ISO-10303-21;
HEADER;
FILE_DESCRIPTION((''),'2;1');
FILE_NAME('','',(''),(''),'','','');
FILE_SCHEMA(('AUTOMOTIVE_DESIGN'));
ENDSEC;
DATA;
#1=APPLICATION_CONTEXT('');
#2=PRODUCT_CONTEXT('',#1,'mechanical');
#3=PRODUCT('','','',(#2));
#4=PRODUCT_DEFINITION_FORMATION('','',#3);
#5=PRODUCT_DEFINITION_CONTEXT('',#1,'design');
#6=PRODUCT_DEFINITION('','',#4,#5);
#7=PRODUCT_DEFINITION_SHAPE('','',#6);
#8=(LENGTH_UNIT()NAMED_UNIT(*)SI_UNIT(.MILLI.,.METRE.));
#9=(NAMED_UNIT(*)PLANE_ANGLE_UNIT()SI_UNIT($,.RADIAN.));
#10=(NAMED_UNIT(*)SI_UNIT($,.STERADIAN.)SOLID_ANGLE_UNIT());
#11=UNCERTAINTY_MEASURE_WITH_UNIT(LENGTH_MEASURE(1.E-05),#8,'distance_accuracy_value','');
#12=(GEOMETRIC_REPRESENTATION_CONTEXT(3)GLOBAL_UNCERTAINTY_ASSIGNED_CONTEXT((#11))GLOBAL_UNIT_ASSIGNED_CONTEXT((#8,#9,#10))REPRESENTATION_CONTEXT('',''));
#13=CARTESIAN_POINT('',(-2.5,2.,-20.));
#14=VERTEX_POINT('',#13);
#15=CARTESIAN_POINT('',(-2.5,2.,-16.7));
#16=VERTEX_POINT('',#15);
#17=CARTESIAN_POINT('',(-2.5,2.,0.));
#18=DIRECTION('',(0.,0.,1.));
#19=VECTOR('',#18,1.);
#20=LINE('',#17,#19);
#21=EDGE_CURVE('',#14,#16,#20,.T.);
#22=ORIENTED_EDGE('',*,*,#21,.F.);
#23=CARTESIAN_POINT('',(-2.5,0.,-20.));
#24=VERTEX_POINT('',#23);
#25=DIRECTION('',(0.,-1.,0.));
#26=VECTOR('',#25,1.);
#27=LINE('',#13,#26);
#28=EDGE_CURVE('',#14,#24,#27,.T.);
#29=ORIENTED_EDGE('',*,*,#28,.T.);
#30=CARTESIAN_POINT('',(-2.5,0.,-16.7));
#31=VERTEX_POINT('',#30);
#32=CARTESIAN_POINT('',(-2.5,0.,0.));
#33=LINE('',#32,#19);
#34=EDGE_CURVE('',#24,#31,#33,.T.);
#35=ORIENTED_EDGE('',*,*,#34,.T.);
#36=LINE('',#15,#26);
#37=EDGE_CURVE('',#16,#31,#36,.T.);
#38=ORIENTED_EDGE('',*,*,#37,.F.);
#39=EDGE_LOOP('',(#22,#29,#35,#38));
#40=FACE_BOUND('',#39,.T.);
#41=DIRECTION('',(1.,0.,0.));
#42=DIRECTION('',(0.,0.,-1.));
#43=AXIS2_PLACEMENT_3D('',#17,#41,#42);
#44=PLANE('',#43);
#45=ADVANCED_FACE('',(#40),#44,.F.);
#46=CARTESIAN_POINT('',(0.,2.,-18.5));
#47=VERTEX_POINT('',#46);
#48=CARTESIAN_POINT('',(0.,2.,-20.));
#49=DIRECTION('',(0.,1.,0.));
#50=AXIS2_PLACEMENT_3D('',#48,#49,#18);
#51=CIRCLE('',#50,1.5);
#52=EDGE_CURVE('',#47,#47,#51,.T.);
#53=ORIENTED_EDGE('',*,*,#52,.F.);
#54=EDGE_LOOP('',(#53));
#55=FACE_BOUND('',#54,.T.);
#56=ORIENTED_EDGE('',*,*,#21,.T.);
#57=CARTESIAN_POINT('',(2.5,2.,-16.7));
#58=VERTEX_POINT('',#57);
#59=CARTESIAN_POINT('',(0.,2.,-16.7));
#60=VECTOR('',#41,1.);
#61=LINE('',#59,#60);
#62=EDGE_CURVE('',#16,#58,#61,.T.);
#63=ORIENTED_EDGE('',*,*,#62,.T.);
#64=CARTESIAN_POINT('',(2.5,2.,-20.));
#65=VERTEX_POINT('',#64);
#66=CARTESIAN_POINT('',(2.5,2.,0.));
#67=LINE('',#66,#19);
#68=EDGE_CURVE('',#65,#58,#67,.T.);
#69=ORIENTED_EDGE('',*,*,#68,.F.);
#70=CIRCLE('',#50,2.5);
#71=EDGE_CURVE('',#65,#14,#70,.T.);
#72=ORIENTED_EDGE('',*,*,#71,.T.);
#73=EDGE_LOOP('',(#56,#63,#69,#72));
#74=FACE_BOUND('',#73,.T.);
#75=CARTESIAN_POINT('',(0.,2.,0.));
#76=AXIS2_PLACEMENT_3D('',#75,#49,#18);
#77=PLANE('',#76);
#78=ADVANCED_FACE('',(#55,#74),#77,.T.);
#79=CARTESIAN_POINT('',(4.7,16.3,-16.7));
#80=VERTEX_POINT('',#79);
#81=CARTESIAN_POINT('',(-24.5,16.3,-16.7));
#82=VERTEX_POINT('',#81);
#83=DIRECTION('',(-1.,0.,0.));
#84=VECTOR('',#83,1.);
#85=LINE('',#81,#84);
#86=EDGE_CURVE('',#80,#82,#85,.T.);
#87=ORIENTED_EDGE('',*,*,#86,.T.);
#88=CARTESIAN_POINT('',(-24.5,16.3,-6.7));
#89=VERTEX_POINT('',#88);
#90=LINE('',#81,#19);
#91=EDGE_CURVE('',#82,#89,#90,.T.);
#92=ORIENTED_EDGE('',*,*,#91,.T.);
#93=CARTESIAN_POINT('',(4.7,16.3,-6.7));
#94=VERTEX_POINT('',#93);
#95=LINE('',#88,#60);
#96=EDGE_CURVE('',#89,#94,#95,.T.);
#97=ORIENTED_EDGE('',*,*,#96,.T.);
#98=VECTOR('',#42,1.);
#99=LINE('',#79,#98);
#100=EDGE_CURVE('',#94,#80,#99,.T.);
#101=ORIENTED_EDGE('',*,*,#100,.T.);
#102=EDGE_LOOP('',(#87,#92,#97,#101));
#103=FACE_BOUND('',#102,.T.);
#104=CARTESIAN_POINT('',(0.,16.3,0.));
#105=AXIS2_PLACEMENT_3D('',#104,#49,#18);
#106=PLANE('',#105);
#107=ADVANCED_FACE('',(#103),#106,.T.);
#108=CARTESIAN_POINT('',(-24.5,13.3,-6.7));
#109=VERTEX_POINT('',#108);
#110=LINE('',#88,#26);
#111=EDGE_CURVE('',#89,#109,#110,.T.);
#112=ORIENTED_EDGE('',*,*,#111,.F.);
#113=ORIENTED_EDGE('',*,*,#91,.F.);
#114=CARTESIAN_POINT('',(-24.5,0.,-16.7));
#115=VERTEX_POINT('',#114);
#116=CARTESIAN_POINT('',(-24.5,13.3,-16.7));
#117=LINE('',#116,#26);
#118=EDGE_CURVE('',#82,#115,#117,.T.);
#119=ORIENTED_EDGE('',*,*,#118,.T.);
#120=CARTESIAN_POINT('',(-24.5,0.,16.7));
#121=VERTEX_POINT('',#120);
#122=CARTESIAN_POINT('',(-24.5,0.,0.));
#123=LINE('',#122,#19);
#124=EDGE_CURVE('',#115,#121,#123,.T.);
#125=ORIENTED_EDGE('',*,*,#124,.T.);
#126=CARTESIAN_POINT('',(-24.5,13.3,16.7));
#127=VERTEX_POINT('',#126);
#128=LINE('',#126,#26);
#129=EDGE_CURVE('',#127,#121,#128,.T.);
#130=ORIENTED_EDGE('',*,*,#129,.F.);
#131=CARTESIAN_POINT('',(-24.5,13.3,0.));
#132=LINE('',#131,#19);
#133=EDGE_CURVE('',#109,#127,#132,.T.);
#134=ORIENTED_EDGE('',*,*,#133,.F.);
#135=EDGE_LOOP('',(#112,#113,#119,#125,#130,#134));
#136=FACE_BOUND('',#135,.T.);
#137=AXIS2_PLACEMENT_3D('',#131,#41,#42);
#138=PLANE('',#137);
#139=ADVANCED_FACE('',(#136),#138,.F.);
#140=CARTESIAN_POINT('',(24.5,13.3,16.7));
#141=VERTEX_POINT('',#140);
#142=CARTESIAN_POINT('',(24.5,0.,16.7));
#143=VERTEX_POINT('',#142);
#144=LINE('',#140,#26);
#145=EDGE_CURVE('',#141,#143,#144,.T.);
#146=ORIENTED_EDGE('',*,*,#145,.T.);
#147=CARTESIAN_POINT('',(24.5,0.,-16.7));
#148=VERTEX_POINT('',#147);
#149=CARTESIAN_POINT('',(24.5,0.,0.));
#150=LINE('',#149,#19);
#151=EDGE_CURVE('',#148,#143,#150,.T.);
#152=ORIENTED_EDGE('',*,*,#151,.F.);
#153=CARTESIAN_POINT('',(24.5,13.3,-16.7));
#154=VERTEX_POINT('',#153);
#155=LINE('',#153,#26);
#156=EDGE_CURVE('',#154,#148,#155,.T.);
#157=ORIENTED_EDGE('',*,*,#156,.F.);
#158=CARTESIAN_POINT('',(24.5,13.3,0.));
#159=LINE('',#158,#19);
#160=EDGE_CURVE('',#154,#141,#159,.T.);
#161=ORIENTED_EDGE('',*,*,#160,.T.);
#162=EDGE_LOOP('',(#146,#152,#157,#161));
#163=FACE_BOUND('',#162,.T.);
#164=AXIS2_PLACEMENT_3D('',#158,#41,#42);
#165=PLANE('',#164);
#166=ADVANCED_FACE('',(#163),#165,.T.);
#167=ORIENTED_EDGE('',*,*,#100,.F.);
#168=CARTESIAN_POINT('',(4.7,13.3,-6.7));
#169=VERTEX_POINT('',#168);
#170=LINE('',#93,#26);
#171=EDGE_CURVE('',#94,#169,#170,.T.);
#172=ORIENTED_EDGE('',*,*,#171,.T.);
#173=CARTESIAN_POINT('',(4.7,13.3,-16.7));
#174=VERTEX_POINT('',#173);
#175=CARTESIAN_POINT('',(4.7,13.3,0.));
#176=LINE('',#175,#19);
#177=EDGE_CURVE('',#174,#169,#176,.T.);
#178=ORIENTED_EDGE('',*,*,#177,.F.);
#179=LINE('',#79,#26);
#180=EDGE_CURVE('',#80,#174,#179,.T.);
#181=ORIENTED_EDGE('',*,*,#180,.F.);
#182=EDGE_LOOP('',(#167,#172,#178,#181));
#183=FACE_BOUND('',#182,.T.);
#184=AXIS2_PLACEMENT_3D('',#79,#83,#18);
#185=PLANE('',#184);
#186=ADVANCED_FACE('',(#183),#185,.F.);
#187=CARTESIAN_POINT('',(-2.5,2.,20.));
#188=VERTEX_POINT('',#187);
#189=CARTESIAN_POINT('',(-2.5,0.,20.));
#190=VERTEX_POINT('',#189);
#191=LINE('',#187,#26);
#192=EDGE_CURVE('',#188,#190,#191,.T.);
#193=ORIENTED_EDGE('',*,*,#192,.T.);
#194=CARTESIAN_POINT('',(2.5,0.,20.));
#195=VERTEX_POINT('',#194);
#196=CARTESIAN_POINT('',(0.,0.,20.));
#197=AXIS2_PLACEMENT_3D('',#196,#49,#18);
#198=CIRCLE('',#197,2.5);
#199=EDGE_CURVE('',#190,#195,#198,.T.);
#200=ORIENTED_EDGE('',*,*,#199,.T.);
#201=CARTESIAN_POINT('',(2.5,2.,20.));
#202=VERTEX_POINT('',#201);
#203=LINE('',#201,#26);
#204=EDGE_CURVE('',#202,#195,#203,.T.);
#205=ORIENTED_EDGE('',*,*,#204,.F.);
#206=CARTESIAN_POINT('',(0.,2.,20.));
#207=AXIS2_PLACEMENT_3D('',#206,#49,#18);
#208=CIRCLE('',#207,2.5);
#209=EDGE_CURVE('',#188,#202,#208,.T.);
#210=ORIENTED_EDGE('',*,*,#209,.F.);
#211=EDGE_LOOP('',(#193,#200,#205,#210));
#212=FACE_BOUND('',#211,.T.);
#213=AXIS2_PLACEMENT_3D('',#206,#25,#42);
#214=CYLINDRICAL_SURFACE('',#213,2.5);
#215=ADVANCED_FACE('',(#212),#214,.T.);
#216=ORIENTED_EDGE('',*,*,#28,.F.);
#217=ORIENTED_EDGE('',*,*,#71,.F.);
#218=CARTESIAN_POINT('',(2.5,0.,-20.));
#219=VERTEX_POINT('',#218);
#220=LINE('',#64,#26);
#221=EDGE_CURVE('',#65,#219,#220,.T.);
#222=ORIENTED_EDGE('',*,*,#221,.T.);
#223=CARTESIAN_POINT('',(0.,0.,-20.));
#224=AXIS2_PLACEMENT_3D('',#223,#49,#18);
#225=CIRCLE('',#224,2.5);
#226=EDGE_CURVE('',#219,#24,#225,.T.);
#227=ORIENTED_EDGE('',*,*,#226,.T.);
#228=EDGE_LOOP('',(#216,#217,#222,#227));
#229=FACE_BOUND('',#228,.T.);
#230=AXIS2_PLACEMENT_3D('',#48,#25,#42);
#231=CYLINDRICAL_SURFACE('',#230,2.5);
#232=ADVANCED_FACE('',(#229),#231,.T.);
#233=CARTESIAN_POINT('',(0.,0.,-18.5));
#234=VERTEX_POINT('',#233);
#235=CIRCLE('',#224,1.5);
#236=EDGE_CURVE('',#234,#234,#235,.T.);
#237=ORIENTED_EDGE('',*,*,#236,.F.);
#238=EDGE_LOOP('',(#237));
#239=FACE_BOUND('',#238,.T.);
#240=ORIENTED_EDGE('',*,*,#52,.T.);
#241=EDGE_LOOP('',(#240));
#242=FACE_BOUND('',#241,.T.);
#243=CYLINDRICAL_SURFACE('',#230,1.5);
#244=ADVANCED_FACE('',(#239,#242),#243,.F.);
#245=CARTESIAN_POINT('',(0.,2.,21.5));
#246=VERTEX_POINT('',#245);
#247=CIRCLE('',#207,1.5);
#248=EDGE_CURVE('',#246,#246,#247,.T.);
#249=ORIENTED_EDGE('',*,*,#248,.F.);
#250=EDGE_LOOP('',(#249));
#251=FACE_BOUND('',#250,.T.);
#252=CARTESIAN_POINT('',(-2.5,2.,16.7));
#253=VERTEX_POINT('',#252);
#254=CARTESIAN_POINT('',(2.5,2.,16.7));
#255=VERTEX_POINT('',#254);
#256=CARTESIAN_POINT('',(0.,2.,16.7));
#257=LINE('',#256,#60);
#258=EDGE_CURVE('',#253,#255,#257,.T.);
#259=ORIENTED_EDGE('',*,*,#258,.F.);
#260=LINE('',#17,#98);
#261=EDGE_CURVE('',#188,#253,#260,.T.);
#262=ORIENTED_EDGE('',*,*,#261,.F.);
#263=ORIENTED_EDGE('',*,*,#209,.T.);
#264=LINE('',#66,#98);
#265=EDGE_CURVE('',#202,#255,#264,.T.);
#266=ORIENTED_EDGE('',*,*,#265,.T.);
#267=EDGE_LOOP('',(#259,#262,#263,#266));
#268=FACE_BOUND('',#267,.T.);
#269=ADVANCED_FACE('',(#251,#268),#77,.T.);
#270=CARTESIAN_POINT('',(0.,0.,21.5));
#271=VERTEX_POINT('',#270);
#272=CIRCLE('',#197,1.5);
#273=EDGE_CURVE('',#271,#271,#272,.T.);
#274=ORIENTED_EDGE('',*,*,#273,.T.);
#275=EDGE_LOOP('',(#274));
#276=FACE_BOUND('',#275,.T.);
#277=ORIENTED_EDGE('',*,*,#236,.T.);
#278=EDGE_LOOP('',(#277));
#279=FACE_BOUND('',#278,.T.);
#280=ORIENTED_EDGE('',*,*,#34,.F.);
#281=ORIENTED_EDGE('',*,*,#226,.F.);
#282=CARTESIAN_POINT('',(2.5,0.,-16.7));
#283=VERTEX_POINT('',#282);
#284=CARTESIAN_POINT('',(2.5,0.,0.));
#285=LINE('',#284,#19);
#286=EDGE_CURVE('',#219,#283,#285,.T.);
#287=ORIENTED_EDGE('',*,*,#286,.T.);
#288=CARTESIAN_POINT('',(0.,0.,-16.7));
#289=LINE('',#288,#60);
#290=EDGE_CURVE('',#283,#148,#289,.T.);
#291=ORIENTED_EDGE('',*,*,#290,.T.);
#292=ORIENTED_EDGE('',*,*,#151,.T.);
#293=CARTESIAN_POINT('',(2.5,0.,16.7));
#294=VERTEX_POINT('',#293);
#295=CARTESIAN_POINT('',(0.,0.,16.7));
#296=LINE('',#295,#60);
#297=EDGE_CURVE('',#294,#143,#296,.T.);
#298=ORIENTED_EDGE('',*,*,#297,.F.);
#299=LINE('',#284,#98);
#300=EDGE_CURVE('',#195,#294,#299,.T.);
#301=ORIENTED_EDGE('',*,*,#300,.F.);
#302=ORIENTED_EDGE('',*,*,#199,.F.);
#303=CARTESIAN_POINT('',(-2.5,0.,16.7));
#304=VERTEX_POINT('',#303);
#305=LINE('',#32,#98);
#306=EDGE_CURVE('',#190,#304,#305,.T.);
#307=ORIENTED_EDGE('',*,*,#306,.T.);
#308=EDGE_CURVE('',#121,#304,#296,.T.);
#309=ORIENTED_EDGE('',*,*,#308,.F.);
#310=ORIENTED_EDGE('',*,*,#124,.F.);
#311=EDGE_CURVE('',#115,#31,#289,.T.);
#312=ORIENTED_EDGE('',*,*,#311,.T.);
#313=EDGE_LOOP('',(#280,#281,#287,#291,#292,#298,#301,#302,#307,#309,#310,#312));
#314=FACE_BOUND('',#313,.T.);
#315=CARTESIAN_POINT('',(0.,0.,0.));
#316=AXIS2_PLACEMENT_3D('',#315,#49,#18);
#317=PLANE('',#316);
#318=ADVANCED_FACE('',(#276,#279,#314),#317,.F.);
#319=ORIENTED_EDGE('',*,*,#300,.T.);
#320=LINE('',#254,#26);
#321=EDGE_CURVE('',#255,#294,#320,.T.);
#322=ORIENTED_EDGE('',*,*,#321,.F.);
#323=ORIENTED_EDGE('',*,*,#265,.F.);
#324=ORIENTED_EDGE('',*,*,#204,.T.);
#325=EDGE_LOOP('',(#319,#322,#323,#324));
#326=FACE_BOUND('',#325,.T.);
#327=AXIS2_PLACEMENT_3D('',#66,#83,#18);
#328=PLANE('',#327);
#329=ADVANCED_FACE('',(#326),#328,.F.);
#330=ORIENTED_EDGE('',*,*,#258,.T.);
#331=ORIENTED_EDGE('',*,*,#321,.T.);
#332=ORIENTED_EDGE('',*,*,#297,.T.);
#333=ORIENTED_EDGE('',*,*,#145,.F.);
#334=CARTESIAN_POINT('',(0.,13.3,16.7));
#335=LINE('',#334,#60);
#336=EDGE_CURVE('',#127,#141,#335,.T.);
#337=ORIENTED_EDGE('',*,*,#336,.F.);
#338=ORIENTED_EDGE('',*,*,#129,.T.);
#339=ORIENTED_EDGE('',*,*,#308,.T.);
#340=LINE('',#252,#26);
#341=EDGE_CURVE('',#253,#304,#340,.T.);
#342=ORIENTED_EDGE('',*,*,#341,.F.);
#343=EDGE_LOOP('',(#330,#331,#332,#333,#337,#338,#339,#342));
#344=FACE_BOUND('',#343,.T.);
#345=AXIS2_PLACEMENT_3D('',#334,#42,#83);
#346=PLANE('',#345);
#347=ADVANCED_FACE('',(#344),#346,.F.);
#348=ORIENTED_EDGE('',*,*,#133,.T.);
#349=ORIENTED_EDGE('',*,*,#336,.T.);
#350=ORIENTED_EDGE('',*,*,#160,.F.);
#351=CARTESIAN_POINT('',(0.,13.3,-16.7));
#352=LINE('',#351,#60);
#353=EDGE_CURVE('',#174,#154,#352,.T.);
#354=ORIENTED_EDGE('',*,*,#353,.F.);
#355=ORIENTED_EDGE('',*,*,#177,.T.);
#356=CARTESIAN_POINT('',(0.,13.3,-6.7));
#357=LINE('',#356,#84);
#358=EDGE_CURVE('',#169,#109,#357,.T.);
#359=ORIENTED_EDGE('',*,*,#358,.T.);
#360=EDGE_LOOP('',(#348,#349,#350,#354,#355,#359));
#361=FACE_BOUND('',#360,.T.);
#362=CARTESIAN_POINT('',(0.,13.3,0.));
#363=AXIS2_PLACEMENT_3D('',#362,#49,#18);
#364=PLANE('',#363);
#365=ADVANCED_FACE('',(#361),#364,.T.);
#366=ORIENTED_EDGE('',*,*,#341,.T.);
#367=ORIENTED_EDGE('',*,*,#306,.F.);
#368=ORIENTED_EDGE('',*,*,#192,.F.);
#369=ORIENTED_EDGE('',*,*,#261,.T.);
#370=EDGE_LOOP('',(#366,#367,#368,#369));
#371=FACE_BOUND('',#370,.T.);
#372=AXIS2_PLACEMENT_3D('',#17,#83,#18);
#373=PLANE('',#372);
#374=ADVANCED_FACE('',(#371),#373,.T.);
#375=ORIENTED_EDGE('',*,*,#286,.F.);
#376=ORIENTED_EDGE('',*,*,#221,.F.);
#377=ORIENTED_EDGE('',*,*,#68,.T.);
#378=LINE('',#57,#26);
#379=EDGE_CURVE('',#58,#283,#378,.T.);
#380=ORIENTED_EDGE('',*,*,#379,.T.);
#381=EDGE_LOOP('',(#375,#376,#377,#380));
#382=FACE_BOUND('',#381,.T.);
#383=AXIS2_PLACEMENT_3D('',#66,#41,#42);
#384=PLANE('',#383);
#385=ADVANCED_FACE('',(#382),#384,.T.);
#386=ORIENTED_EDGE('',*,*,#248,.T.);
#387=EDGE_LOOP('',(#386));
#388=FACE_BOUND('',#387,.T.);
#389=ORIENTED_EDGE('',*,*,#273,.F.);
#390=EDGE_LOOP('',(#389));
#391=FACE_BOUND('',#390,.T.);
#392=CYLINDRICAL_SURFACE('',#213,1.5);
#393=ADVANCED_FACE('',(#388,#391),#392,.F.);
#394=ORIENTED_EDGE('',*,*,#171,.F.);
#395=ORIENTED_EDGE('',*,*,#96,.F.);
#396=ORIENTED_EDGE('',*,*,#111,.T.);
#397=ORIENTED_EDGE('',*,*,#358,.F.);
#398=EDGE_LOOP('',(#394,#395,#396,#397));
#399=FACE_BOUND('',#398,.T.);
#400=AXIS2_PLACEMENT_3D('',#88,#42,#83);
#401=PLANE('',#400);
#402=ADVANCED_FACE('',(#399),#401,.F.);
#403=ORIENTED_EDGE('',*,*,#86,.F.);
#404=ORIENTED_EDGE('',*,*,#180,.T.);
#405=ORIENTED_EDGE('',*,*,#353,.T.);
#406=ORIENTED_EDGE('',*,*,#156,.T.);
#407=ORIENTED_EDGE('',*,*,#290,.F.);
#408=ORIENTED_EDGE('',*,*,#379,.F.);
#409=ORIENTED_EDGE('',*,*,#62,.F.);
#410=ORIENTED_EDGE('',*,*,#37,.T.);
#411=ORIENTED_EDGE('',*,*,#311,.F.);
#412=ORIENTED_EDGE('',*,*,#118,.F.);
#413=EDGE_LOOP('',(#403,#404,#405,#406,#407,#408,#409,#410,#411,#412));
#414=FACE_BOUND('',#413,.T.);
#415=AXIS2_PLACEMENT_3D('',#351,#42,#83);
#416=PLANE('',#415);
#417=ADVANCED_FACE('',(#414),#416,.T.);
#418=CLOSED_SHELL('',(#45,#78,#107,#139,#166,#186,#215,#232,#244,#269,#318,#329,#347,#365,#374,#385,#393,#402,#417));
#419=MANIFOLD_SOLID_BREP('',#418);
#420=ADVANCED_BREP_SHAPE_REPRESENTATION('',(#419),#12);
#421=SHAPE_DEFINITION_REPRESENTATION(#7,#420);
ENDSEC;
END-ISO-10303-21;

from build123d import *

# Parameters (mm, degrees)
BOSS_EXTRUDE1_DEPTH = 13.3
SKETCH1_3_R         = 1.5
BOSS_EXTRUDE2_DEPTH = 2
SKETCH2_W           = 29.2
SKETCH2_H           = 10
BOSS_EXTRUDE3_DEPTH = 16.3


with BuildPart() as part:
    # Sketch1 → Boss-Extrude1 (new body)
    with BuildSketch(Plane(origin=(0, 0, 0), x_dir=(1, 0, 0), z_dir=(0, 1, 0))):
        Polygon((-2.5, 16.7), (-24.5, 16.7), (-24.5, -16.7), (-2.5, -16.7), (2.5, -16.7), (24.5, -16.7), (24.5, 16.7), (2.5, 16.7), align=None)
    extrude(amount=BOSS_EXTRUDE1_DEPTH)

    # Sketch1<3> → Boss-Extrude2 (add)
    # profile 1 of 2: a face of its own
    with BuildSketch(Plane(origin=(0, 0, 0), x_dir=(1, 0, 0), z_dir=(0, 1, 0))):
        with BuildLine():
            Line((-2.5, 20), (-2.5, 16.7))
            Line((-2.5, 16.7), (2.5, 16.7))
            Line((2.5, 16.7), (2.5, 20))
            ThreePointArc((2.5, 20), (0, 22.5), (-2.5, 20))
        make_face()
        with Locations((0, 20)):
            Circle(SKETCH1_3_R, mode=Mode.SUBTRACT)
    # profile 2 of 2: a face of its own
    with BuildSketch(Plane(origin=(0, 0, 0), x_dir=(1, 0, 0), z_dir=(0, 1, 0))):
        with BuildLine():
            Line((2.5, -16.7), (-2.5, -16.7))
            Line((-2.5, -16.7), (-2.5, -20))
            ThreePointArc((-2.5, -20), (0, -22.5), (2.5, -20))
            Line((2.5, -20), (2.5, -16.7))
        make_face()
        with Locations((0, -20)):
            Circle(SKETCH1_3_R, mode=Mode.SUBTRACT)
    extrude(amount=BOSS_EXTRUDE2_DEPTH)

    # Sketch2 → Boss-Extrude3 (add)
    with BuildSketch(Plane(origin=(0, 0, 0), x_dir=(1, 0, 0), z_dir=(0, 1, 0))):
        with Locations((-9.9, 11.7)):
            Rectangle(SKETCH2_W, SKETCH2_H)
    extrude(amount=BOSS_EXTRUDE3_DEPTH)


solid = part.part
